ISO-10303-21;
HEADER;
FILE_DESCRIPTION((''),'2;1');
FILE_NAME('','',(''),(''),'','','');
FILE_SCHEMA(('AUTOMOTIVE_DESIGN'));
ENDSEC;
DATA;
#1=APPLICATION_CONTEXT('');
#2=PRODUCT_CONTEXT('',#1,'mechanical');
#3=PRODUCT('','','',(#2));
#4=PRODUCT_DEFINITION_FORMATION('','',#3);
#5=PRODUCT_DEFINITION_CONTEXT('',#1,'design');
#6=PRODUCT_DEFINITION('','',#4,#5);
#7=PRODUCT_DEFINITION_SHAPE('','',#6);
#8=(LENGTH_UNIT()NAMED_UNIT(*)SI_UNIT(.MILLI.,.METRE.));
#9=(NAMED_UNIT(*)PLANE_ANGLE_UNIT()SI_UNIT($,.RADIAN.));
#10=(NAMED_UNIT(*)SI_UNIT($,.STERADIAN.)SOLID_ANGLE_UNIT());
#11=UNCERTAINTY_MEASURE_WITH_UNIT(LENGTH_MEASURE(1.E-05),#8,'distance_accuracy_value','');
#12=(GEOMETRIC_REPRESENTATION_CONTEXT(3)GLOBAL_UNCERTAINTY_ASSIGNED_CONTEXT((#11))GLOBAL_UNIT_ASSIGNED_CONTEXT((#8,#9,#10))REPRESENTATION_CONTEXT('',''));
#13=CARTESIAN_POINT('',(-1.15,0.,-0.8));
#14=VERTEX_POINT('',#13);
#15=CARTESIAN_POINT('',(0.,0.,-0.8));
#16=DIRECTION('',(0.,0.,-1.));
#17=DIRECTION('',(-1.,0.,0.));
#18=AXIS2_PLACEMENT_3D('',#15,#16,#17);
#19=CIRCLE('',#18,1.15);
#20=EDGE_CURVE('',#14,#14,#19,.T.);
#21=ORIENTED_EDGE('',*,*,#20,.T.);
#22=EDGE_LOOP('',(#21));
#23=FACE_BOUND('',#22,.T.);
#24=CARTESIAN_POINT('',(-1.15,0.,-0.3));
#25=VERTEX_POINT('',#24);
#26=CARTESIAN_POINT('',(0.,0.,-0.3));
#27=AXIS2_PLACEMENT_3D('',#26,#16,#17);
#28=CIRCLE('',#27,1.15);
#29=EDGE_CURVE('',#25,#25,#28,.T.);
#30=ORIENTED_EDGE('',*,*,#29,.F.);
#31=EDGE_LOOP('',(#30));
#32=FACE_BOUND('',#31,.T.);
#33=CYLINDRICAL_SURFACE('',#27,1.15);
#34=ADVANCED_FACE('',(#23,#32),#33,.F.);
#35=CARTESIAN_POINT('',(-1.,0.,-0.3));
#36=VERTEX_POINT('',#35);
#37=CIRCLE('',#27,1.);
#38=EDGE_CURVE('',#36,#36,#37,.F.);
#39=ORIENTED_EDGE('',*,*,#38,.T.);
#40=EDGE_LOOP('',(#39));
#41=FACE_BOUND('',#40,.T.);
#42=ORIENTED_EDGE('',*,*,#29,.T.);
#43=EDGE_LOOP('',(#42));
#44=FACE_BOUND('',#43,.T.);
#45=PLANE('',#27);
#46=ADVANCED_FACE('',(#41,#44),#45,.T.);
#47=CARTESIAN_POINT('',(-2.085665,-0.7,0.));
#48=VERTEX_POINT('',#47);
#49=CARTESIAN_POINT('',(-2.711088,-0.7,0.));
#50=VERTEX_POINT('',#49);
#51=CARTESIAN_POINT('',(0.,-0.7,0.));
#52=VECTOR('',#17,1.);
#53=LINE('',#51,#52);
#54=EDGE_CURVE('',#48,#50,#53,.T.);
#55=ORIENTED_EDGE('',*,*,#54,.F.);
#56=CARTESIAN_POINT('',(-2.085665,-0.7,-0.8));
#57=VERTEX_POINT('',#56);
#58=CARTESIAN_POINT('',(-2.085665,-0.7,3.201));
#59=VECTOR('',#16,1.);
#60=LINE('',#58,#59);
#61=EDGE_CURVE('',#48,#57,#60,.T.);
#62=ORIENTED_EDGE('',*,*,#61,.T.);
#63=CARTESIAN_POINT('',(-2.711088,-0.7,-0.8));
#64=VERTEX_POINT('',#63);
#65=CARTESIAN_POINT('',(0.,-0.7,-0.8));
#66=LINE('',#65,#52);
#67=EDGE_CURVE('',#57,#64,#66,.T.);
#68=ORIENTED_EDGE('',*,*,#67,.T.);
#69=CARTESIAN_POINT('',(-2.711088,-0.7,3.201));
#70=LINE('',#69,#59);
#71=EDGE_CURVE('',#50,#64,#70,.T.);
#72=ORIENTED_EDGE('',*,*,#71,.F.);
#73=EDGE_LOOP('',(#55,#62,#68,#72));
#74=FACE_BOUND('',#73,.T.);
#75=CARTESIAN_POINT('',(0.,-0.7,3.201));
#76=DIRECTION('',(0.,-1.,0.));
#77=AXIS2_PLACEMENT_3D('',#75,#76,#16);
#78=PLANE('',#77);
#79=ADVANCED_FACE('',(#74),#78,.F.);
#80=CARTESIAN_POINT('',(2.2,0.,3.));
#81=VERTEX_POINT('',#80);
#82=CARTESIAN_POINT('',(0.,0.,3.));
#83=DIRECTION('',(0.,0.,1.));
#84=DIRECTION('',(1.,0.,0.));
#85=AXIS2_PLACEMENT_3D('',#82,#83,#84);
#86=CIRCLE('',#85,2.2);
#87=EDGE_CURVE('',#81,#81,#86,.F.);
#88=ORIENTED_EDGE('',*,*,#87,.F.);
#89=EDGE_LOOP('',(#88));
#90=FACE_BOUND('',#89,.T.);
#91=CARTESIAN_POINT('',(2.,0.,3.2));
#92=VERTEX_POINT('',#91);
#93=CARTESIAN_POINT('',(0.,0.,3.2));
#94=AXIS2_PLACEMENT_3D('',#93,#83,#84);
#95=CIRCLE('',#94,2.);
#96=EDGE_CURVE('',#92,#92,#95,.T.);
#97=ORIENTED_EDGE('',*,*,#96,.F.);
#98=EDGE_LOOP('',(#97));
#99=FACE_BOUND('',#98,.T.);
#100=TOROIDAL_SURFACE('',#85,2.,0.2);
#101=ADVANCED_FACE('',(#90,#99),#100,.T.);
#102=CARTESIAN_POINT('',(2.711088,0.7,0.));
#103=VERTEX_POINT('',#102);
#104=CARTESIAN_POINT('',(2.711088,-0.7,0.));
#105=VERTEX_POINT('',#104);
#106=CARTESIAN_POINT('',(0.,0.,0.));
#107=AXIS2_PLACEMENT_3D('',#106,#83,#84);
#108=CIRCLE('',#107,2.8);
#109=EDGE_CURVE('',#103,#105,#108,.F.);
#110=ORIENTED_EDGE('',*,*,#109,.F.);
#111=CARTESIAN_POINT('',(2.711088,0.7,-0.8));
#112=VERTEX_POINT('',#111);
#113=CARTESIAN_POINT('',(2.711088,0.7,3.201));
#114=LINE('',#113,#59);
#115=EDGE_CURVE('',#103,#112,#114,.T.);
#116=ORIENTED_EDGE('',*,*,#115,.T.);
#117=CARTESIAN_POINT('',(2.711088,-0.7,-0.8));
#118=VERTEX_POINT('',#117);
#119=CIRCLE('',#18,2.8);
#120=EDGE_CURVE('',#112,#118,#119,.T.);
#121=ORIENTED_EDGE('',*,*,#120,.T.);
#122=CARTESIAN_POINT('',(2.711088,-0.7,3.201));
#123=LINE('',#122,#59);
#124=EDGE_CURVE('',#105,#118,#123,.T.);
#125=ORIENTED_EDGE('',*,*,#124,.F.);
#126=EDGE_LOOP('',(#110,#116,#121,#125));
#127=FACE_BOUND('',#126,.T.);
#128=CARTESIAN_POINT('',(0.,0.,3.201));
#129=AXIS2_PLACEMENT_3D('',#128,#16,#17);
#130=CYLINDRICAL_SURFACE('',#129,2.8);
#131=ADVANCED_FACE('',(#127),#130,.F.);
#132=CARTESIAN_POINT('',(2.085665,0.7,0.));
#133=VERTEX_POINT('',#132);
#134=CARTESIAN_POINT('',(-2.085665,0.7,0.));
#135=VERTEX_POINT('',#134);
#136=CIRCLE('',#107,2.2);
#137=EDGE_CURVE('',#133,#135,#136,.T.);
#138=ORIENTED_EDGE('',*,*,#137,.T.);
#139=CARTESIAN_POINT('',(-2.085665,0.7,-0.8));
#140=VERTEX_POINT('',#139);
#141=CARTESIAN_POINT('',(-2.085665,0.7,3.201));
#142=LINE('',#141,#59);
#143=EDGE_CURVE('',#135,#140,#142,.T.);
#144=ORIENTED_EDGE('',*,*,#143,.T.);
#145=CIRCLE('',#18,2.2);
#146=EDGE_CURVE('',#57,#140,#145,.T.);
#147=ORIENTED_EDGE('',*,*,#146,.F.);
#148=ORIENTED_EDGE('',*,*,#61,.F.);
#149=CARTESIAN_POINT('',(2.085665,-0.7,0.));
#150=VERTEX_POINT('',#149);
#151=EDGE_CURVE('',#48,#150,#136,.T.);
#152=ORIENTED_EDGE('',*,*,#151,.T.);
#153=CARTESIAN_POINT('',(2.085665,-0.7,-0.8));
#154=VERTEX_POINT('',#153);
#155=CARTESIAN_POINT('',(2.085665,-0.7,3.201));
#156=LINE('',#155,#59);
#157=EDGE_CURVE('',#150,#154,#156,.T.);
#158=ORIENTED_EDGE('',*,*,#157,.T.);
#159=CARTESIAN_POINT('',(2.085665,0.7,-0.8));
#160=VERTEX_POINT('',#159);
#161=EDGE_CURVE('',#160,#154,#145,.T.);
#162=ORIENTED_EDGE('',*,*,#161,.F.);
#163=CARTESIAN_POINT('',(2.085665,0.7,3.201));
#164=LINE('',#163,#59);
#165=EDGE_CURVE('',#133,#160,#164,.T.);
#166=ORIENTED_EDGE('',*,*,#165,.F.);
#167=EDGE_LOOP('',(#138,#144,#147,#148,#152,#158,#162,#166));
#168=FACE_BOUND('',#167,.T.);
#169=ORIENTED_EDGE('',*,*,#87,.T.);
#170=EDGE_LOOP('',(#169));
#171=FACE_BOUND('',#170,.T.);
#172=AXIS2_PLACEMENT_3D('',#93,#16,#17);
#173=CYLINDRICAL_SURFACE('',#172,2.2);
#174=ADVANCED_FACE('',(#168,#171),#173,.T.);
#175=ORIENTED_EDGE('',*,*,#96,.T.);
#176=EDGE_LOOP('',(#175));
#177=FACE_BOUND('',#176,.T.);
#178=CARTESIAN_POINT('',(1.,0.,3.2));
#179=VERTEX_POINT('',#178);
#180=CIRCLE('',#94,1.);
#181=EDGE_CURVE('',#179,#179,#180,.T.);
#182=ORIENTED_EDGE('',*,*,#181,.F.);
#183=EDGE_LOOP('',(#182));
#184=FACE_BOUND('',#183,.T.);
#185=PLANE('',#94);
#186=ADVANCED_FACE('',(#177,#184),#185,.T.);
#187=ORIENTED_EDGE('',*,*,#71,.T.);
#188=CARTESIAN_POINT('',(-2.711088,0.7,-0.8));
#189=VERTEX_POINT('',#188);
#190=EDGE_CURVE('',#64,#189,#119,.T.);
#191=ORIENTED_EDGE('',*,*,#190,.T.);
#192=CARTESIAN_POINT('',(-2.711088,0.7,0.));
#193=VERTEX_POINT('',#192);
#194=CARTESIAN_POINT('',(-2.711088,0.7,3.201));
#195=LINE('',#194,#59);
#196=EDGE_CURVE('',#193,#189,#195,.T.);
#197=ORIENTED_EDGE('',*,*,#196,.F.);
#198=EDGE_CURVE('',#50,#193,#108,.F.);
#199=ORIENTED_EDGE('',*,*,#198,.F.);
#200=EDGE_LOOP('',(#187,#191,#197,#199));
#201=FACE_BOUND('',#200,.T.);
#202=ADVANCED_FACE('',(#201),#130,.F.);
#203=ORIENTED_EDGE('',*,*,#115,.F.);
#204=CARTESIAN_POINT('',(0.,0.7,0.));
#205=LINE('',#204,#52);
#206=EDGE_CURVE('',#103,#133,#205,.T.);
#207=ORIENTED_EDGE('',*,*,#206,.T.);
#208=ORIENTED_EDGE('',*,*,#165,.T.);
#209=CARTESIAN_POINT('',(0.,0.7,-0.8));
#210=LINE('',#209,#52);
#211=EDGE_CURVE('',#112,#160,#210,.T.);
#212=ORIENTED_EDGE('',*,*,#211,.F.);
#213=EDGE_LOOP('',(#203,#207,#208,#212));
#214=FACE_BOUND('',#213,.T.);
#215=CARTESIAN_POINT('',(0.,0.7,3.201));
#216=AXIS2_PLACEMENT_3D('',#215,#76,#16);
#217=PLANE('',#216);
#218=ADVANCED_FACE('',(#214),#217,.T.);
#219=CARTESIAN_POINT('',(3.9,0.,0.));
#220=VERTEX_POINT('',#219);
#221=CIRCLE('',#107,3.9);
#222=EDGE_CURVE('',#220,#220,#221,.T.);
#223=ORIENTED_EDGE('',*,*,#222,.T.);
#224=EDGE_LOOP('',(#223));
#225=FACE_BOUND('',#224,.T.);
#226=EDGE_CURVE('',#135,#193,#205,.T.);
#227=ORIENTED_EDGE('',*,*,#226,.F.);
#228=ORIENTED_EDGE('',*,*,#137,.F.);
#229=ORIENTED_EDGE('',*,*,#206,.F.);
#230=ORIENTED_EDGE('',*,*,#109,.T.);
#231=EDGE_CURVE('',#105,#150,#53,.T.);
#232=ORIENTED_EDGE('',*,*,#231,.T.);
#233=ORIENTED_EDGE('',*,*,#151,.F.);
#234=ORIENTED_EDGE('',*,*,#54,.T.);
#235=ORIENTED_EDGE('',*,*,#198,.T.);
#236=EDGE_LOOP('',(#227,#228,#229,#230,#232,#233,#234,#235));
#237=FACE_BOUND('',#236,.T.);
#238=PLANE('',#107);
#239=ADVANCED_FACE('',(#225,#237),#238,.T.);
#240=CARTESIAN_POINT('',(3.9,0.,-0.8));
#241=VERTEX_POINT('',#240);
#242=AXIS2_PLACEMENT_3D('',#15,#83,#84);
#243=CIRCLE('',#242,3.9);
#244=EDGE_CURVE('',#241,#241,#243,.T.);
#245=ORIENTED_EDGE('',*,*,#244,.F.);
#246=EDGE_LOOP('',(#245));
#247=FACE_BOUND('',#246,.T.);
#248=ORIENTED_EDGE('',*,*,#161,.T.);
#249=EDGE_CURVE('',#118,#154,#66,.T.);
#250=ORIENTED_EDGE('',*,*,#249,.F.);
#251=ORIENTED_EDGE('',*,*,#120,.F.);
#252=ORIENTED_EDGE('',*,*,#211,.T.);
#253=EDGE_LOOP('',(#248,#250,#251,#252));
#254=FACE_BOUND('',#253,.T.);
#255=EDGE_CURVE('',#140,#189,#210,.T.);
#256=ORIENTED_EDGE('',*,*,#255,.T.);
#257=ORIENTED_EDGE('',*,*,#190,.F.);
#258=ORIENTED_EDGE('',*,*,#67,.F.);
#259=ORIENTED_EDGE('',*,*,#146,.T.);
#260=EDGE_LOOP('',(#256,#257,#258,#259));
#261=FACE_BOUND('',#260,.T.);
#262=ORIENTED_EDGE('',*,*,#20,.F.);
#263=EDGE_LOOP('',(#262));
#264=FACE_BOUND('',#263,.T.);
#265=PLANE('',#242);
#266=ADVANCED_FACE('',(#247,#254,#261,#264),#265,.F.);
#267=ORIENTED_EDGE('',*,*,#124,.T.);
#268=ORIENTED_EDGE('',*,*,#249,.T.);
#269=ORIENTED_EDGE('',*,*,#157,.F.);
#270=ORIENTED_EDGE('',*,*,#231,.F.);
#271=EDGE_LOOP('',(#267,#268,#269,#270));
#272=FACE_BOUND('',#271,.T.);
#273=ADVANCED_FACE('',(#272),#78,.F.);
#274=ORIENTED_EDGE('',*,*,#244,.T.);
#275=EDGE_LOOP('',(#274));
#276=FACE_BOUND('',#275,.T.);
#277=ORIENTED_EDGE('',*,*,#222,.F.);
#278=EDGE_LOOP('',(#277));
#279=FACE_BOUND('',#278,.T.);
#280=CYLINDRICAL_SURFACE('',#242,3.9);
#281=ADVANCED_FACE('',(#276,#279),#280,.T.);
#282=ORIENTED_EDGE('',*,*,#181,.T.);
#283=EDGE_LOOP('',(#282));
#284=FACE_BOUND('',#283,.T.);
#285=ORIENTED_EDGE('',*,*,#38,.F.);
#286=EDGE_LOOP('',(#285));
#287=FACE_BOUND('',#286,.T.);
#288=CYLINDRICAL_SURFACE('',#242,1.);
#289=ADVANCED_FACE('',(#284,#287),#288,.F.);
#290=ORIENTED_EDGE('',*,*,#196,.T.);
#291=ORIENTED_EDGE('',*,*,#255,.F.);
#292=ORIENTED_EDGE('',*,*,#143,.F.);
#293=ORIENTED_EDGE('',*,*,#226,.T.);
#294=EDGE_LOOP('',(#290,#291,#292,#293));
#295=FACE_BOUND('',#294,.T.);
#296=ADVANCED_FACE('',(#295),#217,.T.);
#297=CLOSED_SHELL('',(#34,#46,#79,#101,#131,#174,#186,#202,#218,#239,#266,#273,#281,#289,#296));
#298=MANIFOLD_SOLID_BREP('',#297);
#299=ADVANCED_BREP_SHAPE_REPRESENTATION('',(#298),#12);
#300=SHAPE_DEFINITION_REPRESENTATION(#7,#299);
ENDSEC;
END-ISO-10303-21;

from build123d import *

# Parameters (mm, degrees)
SKETCH_1_R          = 3.9
SKETCH_1_R_2        = 2.2
SKETCH_1_R_3        = 1
EXTRUDE_1_DEPTH     = 0.8
SKETCH_1_4_R        = 2.2
SKETCH_1_4_R_2      = 1
EXTRUDE_2_DEPTH     = 3.2
FILLET_1_R          = 0.2
SKETCH_2_R          = 1.15
CUT_EXTRUDE_1_DEPTH = 0.5
CUT_EXTRUDE_2_REACH = 8.813


with BuildPart() as part:
    # Sketch 1 → Extrude 1 (new body)
    with BuildSketch(Plane.XY):
        Circle(SKETCH_1_R)
        Circle(SKETCH_1_R_2, mode=Mode.SUBTRACT)
        Circle(SKETCH_1_R_2)
        Circle(SKETCH_1_R_3, mode=Mode.SUBTRACT)
    extrude(amount=-EXTRUDE_1_DEPTH)

    # Sketch 1_4 → Extrude 2 (add)
    with BuildSketch(Plane.XY):
        Circle(SKETCH_1_4_R)
        Circle(SKETCH_1_4_R_2, mode=Mode.SUBTRACT)
    extrude(amount=EXTRUDE_2_DEPTH)

    # Fillet 1
    fillet_1_edges = [part.edges().sort_by_distance(p)[0] for p in [
        (-2.2, 0, 3.2),
    ]]
    fillet(fillet_1_edges, radius=FILLET_1_R)

    # Sketch 2 → Cut-Extrude 1 (cut)
    with BuildSketch(Plane(origin=(0, 0, -0.8), x_dir=(-1, 0, 0), z_dir=(0, 0, -1))):
        Circle(SKETCH_2_R)
    extrude(amount=-CUT_EXTRUDE_1_DEPTH, mode=Mode.SUBTRACT)

    # Sketch 3 → Cut-Extrude 2 (cut, up to next)
    with BuildSketch(Plane(origin=(0, 0, -0.8), x_dir=(-1, 0, 0), z_dir=(0, 0, -1)), mode=Mode.PRIVATE) as cut_extrude_2_sk1:
        with BuildLine():
            ThreePointArc((-2.711088342, 0.7), (-2.8, 0), (-2.711088342, -0.7))
            Line((-2.711088342, -0.7), (-2.085665361, -0.7))
            ThreePointArc((-2.085665361, -0.7), (-2.2, 0), (-2.085665361, 0.7))
            Line((-2.085665361, 0.7), (-2.711088342, 0.7))
        make_face()
    cut_extrude_2_tool1 = extrude(cut_extrude_2_sk1.sketch, amount=-CUT_EXTRUDE_2_REACH, mode=Mode.PRIVATE) & part.part
    # Sketch 3 → Cut-Extrude 2 (cut, up to next)
    with BuildSketch(Plane(origin=(0, 0, -0.8), x_dir=(-1, 0, 0), z_dir=(0, 0, -1)), mode=Mode.PRIVATE) as cut_extrude_2_sk2:
        with BuildLine():
            Line((2.085665361, -0.7), (2.711088342, -0.7))
            ThreePointArc((2.711088342, -0.7), (2.77768315, -0.352812019), (2.8, 0))
            ThreePointArc((2.8, 0), (2.77768315, 0.352812019), (2.711088342, 0.7))
            Line((2.711088342, 0.7), (2.085665361, 0.7))
            ThreePointArc((2.085665361, 0.7), (2.1712282, 0.354637988), (2.2, 0))
            ThreePointArc((2.2, 0), (2.1712282, -0.354637988), (2.085665361, -0.7))
        make_face()
    cut_extrude_2_tool2 = extrude(cut_extrude_2_sk2.sketch, amount=-CUT_EXTRUDE_2_REACH, mode=Mode.PRIVATE) & part.part
    # Sketch 3 → Cut-Extrude 2 (cut, up to next)
    with BuildSketch(Plane(origin=(0, 0, -0.8), x_dir=(-1, 0, 0), z_dir=(0, 0, -1)), mode=Mode.PRIVATE) as cut_extrude_2_sk3:
        with BuildLine():
            ThreePointArc((-2.711088342, 0.7), (-2.8, 0), (-2.711088342, -0.7))
            Line((-2.711088342, -0.7), (-2.085665361, -0.7))
            ThreePointArc((-2.085665361, -0.7), (-2.2, 0), (-2.085665361, 0.7))
            Line((-2.085665361, 0.7), (-2.711088342, 0.7))
        make_face()
    cut_extrude_2_tool3 = extrude(cut_extrude_2_sk3.sketch, amount=-CUT_EXTRUDE_2_REACH, mode=Mode.PRIVATE) & part.part
    # Sketch 3 → Cut-Extrude 2 (cut, up to next)
    with BuildSketch(Plane(origin=(0, 0, -0.8), x_dir=(-1, 0, 0), z_dir=(0, 0, -1)), mode=Mode.PRIVATE) as cut_extrude_2_sk4:
        with BuildLine():
            Line((2.085665361, -0.7), (2.711088342, -0.7))
            ThreePointArc((2.711088342, -0.7), (2.77768315, -0.352812019), (2.8, 0))
            ThreePointArc((2.8, 0), (2.77768315, 0.352812019), (2.711088342, 0.7))
            Line((2.711088342, 0.7), (2.085665361, 0.7))
            ThreePointArc((2.085665361, 0.7), (2.1712282, 0.354637988), (2.2, 0))
            ThreePointArc((2.2, 0), (2.1712282, -0.354637988), (2.085665361, -0.7))
        make_face()
    cut_extrude_2_tool4 = extrude(cut_extrude_2_sk4.sketch, amount=-CUT_EXTRUDE_2_REACH, mode=Mode.PRIVATE) & part.part
    add(cut_extrude_2_tool1.solids().sort_by_distance((2.466051, 0, -0.8))[0], mode=Mode.SUBTRACT)
    add(cut_extrude_2_tool2.solids().sort_by_distance((-2.466051, 0, -0.8))[0], mode=Mode.SUBTRACT)
    add(cut_extrude_2_tool3.solids().sort_by_distance((2.466051, 0, -0.8))[0], mode=Mode.SUBTRACT)
    add(cut_extrude_2_tool4.solids().sort_by_distance((-2.466051, 0, -0.8))[0], mode=Mode.SUBTRACT)


solid = part.part
